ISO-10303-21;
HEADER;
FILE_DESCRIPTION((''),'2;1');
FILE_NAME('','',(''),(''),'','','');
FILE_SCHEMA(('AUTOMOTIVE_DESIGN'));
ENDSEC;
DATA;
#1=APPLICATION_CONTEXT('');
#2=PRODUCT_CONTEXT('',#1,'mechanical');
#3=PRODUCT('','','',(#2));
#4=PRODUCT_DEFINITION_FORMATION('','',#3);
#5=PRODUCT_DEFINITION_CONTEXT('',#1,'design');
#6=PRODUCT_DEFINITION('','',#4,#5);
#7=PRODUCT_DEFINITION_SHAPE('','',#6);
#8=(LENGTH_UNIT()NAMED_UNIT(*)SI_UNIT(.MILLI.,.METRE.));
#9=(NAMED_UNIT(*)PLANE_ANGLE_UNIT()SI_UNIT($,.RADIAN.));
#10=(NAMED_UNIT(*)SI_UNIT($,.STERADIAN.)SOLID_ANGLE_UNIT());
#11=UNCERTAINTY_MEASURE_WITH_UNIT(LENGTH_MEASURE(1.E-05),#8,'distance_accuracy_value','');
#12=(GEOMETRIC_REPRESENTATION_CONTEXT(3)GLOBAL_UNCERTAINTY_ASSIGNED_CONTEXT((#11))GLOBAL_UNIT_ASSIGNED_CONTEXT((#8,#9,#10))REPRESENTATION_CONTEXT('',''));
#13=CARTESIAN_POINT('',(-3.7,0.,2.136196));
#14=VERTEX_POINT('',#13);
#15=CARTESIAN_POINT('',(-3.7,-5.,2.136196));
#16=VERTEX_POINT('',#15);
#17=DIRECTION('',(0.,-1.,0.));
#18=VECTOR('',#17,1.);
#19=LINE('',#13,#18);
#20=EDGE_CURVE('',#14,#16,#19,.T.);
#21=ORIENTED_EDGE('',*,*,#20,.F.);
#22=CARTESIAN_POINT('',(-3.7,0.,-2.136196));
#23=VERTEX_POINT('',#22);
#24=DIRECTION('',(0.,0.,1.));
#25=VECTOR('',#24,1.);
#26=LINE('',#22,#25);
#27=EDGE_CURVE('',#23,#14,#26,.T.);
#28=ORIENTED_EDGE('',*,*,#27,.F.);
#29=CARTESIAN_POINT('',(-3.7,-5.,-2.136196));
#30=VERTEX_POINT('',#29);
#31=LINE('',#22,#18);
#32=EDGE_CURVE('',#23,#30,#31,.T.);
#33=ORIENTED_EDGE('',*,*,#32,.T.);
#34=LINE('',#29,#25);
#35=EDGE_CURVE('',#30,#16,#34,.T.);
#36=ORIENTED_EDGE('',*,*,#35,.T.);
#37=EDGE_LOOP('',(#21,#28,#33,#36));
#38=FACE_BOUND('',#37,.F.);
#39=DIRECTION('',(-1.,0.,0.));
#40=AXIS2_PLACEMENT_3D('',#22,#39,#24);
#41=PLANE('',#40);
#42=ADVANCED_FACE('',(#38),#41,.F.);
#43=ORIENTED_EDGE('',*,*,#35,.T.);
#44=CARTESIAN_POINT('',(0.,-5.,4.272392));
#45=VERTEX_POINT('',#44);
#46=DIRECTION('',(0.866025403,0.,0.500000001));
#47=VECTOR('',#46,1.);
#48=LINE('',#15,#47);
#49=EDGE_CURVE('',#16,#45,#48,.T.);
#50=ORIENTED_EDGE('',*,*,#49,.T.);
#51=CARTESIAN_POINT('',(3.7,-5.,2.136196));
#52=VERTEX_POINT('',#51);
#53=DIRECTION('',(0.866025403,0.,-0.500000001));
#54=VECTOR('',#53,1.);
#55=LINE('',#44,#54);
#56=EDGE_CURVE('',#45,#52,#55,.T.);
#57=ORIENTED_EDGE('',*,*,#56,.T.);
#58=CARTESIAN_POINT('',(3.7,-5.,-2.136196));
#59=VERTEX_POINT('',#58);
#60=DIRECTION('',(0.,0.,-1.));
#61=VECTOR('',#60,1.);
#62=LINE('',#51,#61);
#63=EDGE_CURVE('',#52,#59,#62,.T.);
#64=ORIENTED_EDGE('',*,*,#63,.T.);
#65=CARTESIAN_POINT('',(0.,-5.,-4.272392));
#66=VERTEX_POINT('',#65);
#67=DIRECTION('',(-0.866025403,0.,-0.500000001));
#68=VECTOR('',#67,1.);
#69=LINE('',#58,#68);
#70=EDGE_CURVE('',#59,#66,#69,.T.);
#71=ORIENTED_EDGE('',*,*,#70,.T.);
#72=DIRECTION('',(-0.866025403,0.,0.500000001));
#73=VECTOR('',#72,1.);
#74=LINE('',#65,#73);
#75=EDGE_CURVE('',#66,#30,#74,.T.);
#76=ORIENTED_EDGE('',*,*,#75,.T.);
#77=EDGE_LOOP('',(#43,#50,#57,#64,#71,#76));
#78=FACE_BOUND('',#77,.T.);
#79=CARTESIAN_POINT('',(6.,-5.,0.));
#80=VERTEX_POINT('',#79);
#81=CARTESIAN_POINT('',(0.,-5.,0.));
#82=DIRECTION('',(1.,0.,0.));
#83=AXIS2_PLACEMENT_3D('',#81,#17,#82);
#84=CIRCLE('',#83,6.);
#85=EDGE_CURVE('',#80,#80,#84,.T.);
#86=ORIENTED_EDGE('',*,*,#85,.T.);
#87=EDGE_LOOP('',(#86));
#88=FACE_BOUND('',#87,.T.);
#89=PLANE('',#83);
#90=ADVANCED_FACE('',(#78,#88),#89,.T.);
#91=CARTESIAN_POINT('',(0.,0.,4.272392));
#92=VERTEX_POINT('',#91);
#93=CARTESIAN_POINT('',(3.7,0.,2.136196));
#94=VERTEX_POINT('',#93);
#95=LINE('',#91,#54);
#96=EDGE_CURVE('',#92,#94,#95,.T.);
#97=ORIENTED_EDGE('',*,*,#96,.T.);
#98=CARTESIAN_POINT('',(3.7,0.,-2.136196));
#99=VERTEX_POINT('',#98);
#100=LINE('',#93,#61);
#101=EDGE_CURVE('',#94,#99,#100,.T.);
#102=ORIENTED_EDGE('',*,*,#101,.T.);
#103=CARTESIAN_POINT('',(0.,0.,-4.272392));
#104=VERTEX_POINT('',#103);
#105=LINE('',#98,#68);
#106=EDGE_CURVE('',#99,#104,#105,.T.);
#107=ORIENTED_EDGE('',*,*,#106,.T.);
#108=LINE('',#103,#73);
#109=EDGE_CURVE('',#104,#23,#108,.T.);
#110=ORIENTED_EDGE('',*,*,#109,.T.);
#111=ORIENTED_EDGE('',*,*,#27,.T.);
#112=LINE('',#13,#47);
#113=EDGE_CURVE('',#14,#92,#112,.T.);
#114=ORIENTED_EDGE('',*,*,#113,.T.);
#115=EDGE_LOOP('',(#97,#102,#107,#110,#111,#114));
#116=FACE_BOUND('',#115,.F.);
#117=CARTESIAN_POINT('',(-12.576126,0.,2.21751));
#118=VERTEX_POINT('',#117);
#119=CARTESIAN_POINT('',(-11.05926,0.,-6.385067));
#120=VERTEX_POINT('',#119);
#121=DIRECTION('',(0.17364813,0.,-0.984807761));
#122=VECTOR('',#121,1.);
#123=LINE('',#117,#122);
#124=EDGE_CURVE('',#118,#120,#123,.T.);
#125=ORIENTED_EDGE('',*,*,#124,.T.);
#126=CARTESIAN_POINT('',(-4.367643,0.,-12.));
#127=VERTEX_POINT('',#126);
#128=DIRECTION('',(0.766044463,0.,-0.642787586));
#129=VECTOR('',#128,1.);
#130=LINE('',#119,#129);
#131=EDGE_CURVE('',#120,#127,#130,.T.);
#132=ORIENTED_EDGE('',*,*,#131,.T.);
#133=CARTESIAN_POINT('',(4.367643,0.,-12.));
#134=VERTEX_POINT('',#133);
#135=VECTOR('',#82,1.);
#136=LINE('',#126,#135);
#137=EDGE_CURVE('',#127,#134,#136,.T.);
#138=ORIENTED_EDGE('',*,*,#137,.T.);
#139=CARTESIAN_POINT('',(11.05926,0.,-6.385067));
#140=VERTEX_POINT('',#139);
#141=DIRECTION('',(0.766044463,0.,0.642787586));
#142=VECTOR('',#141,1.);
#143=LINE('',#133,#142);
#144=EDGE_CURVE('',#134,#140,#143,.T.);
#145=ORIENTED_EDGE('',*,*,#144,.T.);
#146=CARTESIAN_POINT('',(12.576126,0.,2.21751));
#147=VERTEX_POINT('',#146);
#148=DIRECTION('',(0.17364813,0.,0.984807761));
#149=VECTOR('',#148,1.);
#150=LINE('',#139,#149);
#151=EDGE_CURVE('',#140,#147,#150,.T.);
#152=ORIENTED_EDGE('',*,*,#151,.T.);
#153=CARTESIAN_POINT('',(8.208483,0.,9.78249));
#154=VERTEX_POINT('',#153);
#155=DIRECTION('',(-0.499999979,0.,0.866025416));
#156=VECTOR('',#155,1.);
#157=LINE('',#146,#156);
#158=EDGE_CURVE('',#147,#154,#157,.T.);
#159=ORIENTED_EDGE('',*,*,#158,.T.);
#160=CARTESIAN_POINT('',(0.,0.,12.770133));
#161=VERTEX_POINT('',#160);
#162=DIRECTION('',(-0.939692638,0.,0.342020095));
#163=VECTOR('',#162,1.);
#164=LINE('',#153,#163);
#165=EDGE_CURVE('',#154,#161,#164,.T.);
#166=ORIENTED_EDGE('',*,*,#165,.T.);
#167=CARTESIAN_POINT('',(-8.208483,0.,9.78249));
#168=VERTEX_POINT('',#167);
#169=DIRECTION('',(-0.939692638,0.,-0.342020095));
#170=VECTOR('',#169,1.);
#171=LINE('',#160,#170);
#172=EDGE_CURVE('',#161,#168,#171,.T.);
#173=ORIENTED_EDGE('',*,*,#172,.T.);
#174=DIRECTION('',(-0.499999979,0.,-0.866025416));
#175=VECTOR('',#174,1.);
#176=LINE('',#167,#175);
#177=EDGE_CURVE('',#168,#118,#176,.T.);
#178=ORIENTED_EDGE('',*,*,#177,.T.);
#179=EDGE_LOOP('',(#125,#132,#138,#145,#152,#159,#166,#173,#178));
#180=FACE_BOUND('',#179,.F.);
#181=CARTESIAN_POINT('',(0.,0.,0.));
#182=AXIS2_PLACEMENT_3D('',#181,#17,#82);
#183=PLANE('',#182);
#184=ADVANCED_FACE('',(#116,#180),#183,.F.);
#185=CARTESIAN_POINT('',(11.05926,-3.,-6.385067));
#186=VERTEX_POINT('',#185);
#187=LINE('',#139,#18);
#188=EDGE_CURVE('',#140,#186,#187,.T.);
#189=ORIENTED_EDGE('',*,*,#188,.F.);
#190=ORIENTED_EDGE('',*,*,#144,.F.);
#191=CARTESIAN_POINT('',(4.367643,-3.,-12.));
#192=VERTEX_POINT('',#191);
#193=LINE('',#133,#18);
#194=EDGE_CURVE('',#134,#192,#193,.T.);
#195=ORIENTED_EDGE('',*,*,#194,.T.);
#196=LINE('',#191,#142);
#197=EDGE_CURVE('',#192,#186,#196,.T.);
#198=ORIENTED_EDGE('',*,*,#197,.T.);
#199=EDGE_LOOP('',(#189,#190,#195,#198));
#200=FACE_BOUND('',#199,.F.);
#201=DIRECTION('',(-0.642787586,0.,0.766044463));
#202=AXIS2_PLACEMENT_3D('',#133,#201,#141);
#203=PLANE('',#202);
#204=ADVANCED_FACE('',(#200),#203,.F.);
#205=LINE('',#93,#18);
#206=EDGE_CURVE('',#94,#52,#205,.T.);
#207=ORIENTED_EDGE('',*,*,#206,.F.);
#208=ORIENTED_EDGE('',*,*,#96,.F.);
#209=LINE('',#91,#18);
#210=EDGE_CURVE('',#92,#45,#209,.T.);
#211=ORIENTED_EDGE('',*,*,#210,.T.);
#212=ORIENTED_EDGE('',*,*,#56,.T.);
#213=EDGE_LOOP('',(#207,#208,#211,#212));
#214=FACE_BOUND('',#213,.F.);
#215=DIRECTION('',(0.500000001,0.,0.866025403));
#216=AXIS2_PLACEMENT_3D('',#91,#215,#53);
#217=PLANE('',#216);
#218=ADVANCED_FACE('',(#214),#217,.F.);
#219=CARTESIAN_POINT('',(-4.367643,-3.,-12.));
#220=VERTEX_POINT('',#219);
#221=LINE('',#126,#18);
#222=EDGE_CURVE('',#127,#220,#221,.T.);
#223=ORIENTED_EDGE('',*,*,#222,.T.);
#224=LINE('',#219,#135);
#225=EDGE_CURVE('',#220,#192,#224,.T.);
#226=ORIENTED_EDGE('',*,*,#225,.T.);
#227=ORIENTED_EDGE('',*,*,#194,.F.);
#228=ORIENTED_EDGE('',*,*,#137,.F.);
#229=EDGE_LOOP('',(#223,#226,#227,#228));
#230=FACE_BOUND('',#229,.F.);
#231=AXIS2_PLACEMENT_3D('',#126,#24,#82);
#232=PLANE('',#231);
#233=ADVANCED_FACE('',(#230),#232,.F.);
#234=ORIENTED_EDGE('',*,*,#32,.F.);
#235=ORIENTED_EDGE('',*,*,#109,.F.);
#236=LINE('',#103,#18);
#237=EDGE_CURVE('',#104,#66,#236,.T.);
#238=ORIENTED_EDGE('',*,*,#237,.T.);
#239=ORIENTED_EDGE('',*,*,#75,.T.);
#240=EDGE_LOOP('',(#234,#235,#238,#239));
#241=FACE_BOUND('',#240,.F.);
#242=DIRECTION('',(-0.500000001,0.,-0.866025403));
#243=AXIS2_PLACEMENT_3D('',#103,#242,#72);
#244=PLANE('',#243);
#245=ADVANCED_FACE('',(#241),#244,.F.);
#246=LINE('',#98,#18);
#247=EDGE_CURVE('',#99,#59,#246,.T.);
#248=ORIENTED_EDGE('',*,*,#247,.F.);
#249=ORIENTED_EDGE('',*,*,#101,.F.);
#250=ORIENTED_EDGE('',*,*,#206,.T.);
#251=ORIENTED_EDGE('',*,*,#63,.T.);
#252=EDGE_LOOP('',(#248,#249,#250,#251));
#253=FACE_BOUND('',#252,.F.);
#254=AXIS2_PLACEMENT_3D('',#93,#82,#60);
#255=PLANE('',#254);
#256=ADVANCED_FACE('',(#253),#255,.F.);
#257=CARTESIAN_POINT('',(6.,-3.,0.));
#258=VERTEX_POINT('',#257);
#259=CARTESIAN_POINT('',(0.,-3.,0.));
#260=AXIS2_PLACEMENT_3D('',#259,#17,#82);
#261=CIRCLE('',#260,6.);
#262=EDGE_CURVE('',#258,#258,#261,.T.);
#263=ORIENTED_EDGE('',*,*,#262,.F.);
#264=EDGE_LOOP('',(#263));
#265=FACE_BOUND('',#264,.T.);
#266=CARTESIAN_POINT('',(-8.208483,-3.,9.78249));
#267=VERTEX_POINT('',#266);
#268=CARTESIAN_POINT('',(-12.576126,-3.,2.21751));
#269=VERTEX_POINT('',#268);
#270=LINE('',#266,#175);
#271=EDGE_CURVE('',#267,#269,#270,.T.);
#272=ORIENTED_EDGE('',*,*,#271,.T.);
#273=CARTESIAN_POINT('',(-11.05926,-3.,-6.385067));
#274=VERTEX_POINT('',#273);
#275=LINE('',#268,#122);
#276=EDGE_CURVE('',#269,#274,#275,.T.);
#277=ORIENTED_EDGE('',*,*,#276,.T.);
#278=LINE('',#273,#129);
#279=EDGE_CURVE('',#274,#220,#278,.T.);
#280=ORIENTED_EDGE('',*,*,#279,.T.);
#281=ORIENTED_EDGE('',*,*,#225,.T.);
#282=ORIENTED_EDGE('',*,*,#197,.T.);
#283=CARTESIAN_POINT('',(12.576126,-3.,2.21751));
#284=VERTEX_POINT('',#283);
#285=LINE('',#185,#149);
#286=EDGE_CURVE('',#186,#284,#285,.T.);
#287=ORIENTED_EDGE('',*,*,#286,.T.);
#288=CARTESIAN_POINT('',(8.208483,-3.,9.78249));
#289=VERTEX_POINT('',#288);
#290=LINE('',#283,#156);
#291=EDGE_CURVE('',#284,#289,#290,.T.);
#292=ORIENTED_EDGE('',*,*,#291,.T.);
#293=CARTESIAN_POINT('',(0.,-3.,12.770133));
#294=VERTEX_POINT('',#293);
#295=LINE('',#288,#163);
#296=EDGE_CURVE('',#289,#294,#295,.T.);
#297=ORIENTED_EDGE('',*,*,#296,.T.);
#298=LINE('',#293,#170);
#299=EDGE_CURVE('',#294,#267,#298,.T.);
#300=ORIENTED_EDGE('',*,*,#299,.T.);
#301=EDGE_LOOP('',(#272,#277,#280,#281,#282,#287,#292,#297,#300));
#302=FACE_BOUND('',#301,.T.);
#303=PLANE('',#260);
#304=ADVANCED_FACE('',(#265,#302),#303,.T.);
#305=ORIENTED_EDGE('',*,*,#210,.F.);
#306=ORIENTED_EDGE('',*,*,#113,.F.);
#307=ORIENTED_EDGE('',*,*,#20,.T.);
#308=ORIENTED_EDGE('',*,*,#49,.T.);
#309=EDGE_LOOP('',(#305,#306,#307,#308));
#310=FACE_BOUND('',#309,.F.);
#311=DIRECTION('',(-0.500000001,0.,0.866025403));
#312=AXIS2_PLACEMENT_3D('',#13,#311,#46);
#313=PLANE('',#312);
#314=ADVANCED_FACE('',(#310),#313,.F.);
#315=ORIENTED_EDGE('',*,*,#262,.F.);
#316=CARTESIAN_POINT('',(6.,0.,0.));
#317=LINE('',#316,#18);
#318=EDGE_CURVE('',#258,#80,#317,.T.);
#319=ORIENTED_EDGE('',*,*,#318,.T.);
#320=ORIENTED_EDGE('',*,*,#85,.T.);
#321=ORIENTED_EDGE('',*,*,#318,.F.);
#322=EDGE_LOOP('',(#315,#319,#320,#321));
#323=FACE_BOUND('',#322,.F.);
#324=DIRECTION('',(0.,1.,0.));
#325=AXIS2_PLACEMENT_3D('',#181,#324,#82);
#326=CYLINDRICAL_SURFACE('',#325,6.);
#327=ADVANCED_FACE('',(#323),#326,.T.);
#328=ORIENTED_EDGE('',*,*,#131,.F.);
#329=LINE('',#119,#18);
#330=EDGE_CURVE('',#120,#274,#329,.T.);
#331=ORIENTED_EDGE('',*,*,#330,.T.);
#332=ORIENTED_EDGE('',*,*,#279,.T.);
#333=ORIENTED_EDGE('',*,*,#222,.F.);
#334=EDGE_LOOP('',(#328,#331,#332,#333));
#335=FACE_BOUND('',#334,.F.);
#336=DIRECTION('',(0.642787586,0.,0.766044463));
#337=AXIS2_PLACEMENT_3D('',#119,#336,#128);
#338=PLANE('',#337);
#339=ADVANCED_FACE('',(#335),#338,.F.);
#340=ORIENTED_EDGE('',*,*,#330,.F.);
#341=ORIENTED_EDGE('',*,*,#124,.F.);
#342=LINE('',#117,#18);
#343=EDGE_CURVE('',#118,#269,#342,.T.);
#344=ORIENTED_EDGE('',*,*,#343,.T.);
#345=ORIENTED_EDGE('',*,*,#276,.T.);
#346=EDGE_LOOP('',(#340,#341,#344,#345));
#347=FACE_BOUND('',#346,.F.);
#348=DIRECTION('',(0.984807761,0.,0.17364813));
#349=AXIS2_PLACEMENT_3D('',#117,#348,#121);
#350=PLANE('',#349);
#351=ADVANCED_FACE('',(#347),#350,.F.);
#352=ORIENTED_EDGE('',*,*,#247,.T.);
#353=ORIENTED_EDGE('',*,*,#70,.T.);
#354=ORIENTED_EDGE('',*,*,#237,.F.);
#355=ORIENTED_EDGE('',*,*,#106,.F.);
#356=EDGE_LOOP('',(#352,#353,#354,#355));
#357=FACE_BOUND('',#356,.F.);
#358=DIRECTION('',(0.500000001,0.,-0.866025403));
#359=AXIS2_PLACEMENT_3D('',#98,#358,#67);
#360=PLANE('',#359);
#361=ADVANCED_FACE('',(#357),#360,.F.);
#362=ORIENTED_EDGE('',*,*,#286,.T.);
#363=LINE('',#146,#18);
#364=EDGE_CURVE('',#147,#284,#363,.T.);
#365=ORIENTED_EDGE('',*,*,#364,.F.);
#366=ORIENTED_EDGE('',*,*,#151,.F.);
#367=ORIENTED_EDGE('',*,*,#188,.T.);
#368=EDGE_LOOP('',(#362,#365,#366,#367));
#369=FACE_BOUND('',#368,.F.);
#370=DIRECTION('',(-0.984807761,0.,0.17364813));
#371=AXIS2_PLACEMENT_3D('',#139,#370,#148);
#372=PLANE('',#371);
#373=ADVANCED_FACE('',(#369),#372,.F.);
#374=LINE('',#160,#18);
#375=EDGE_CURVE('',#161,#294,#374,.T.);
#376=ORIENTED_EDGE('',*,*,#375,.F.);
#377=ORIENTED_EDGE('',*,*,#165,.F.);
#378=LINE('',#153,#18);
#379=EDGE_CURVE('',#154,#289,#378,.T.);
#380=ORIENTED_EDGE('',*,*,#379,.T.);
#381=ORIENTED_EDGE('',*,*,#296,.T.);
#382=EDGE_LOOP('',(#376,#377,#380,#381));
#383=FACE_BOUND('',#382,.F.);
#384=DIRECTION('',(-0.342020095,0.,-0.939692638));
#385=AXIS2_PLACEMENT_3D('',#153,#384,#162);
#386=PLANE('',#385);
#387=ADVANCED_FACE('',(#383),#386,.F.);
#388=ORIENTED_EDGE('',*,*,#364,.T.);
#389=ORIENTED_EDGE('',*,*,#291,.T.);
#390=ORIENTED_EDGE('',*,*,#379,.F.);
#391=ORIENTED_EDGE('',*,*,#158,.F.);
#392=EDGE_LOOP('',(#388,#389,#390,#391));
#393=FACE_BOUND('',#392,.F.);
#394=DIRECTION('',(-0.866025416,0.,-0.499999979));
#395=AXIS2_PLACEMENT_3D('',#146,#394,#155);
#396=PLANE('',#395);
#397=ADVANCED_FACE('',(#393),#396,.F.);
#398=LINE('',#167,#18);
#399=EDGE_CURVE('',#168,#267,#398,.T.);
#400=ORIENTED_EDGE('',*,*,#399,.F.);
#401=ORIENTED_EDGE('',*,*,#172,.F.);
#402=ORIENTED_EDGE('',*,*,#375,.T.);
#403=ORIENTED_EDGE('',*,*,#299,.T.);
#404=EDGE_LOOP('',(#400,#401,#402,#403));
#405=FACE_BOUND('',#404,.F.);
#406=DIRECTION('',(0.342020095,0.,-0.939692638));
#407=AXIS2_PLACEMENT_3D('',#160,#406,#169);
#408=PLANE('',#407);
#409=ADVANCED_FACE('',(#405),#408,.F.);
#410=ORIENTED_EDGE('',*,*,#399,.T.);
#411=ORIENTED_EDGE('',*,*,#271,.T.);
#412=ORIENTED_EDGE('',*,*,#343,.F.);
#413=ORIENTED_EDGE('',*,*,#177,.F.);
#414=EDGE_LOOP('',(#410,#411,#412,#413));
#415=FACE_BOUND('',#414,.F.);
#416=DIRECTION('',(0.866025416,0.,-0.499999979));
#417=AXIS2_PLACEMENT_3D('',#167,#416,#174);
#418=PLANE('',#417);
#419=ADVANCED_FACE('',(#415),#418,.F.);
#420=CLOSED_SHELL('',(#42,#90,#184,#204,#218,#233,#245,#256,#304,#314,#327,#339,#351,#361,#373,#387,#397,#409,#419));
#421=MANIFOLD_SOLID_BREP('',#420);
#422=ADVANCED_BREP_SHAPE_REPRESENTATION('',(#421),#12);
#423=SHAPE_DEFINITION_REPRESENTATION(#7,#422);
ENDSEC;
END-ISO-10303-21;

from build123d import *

# Parameters (mm, degrees)
F0_R     = 6
F1_DEPTH = 3
F2_DEPTH = 5


with BuildPart() as f1:
    # F0 (on Front) → F1 (new body)
    with BuildSketch(Plane.XZ):
        Polygon((-4.367643, -12), (4.367643, -12), (11.05926, -6.385067), (12.576126, 2.21751), (8.208483, 9.78249), (0, 12.770133), (-8.208483, 9.78249), (-12.576126, 2.21751), (-11.05926, -6.385067), align=None)
        Circle(F0_R, mode=Mode.SUBTRACT)
    extrude(amount=F1_DEPTH)

    # F0 (on Front) → F2 (join)
    with BuildSketch(Plane.XZ):
        Circle(F0_R)
        Polygon((0, -4.272392), (-3.7, -2.136196), (-3.7, 2.136196), (0, 4.272392), (3.7, 2.136196), (3.7, -2.136196), align=None, mode=Mode.SUBTRACT)
    extrude(amount=F2_DEPTH)


solid = f1.part
